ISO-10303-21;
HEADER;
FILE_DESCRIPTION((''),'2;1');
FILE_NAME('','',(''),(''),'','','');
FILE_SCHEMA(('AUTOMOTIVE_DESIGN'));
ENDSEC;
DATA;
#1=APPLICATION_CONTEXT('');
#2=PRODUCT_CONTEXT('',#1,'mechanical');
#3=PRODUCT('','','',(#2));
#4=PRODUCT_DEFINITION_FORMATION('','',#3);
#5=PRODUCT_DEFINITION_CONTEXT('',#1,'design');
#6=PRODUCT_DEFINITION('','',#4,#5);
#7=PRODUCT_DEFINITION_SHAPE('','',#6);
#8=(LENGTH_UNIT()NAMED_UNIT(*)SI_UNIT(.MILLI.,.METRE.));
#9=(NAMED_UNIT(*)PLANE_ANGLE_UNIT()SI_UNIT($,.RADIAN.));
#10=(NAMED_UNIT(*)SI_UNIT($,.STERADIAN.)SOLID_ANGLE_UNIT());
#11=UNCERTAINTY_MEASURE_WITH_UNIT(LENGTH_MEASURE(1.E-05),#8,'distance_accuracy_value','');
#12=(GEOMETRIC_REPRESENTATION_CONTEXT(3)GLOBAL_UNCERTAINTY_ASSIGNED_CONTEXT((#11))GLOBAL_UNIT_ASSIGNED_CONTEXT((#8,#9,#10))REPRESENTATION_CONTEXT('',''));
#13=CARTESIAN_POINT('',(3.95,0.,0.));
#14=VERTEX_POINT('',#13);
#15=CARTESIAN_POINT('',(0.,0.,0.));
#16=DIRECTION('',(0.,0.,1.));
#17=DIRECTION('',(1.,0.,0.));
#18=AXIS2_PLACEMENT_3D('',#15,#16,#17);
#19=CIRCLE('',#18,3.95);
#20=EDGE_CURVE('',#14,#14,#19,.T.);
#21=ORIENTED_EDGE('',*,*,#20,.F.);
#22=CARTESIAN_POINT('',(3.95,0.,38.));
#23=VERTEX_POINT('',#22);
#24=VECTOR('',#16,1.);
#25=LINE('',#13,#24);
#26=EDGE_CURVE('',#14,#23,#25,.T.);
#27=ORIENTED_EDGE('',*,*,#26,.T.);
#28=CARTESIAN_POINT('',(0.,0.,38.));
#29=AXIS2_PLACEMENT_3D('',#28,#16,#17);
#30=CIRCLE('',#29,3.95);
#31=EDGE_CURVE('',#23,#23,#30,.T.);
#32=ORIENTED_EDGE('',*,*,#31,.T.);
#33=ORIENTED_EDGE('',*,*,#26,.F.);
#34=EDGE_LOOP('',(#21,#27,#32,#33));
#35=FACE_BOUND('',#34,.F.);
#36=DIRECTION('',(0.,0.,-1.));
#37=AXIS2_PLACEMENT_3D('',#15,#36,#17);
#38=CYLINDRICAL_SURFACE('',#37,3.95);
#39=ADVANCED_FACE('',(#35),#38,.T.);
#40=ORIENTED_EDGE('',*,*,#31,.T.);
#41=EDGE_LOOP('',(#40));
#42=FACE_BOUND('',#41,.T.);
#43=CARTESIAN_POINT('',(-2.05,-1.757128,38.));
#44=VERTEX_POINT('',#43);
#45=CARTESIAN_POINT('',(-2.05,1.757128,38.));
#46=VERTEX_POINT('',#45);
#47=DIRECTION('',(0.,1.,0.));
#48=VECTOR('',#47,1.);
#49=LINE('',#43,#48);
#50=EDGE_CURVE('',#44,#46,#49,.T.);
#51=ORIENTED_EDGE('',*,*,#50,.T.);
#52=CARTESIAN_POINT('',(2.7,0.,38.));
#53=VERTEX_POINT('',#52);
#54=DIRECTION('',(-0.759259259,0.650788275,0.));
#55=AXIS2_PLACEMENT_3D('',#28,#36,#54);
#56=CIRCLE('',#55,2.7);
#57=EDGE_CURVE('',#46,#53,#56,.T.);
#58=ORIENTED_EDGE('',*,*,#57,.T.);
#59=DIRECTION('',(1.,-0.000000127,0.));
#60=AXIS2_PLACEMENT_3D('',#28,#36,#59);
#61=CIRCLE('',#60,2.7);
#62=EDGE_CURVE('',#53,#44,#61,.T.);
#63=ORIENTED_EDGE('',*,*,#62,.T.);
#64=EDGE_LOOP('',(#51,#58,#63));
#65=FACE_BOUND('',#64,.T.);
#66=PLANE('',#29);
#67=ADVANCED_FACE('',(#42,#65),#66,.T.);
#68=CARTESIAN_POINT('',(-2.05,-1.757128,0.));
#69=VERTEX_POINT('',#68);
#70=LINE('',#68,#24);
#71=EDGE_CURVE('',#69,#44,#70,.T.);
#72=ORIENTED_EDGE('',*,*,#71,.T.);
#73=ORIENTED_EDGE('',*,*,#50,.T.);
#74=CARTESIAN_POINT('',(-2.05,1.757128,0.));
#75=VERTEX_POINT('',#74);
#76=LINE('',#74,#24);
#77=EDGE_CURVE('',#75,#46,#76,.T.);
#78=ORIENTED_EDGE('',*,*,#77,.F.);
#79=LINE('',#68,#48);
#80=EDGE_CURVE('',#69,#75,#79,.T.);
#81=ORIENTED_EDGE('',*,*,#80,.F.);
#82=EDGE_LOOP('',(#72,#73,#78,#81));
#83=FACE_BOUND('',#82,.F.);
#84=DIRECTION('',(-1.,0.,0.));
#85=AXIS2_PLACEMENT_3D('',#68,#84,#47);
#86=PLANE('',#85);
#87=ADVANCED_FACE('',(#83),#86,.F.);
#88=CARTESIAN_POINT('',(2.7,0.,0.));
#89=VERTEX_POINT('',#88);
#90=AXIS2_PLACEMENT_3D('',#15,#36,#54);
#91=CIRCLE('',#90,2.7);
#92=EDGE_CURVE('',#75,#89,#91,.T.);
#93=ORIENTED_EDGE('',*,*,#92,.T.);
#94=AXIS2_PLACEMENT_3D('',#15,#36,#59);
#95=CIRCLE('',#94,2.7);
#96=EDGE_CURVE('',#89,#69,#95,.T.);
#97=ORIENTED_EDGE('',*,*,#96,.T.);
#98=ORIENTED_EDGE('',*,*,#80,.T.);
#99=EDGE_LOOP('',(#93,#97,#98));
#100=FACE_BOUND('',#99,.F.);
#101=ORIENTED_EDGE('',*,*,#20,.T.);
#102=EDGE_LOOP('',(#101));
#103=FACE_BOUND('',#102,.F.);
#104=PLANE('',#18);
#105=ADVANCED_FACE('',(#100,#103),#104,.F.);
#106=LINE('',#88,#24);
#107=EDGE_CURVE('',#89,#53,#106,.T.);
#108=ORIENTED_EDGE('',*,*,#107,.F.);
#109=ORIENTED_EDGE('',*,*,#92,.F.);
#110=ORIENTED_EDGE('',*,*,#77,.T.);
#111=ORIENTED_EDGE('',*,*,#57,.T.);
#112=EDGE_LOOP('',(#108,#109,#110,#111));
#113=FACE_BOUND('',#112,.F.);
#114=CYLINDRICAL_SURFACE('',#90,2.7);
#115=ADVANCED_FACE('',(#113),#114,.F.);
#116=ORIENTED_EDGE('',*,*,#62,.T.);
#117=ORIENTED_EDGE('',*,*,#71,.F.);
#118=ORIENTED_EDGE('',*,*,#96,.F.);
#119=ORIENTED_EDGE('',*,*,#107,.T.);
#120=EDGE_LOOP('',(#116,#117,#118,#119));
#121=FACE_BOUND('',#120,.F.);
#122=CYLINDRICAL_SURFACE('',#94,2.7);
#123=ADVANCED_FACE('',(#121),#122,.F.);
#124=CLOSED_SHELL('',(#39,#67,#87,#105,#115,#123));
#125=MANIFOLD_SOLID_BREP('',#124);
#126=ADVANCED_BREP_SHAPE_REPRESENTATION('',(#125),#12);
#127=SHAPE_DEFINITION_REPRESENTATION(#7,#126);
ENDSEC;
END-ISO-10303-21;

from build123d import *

# Parameters (mm, degrees)
F0_R     = 3.95
F1_DEPTH = 38


with BuildPart() as f1:
    # F0 (on Top) → F1 (new body)
    with BuildSketch(Plane.XY):
        Circle(F0_R)
        with BuildLine():
            ThreePointArc((-2.05, 1.757128), (0.93675, 2.532291), (2.7, 0))
            ThreePointArc((2.7, 0), (0.93675, -2.532291), (-2.05, -1.757128))
            ThreePointArc((-2.05, -1.757128), (-2.7, 0), (-2.05, 1.757128))
        make_face(mode=Mode.SUBTRACT)
        with BuildLine():
            Line((-2.05, -1.757128), (-2.05, 1.757128))
            ThreePointArc((-2.05, 1.757128), (-2.7, 0), (-2.05, -1.757128))
        make_face()
    extrude(amount=F1_DEPTH)


solid = f1.part
